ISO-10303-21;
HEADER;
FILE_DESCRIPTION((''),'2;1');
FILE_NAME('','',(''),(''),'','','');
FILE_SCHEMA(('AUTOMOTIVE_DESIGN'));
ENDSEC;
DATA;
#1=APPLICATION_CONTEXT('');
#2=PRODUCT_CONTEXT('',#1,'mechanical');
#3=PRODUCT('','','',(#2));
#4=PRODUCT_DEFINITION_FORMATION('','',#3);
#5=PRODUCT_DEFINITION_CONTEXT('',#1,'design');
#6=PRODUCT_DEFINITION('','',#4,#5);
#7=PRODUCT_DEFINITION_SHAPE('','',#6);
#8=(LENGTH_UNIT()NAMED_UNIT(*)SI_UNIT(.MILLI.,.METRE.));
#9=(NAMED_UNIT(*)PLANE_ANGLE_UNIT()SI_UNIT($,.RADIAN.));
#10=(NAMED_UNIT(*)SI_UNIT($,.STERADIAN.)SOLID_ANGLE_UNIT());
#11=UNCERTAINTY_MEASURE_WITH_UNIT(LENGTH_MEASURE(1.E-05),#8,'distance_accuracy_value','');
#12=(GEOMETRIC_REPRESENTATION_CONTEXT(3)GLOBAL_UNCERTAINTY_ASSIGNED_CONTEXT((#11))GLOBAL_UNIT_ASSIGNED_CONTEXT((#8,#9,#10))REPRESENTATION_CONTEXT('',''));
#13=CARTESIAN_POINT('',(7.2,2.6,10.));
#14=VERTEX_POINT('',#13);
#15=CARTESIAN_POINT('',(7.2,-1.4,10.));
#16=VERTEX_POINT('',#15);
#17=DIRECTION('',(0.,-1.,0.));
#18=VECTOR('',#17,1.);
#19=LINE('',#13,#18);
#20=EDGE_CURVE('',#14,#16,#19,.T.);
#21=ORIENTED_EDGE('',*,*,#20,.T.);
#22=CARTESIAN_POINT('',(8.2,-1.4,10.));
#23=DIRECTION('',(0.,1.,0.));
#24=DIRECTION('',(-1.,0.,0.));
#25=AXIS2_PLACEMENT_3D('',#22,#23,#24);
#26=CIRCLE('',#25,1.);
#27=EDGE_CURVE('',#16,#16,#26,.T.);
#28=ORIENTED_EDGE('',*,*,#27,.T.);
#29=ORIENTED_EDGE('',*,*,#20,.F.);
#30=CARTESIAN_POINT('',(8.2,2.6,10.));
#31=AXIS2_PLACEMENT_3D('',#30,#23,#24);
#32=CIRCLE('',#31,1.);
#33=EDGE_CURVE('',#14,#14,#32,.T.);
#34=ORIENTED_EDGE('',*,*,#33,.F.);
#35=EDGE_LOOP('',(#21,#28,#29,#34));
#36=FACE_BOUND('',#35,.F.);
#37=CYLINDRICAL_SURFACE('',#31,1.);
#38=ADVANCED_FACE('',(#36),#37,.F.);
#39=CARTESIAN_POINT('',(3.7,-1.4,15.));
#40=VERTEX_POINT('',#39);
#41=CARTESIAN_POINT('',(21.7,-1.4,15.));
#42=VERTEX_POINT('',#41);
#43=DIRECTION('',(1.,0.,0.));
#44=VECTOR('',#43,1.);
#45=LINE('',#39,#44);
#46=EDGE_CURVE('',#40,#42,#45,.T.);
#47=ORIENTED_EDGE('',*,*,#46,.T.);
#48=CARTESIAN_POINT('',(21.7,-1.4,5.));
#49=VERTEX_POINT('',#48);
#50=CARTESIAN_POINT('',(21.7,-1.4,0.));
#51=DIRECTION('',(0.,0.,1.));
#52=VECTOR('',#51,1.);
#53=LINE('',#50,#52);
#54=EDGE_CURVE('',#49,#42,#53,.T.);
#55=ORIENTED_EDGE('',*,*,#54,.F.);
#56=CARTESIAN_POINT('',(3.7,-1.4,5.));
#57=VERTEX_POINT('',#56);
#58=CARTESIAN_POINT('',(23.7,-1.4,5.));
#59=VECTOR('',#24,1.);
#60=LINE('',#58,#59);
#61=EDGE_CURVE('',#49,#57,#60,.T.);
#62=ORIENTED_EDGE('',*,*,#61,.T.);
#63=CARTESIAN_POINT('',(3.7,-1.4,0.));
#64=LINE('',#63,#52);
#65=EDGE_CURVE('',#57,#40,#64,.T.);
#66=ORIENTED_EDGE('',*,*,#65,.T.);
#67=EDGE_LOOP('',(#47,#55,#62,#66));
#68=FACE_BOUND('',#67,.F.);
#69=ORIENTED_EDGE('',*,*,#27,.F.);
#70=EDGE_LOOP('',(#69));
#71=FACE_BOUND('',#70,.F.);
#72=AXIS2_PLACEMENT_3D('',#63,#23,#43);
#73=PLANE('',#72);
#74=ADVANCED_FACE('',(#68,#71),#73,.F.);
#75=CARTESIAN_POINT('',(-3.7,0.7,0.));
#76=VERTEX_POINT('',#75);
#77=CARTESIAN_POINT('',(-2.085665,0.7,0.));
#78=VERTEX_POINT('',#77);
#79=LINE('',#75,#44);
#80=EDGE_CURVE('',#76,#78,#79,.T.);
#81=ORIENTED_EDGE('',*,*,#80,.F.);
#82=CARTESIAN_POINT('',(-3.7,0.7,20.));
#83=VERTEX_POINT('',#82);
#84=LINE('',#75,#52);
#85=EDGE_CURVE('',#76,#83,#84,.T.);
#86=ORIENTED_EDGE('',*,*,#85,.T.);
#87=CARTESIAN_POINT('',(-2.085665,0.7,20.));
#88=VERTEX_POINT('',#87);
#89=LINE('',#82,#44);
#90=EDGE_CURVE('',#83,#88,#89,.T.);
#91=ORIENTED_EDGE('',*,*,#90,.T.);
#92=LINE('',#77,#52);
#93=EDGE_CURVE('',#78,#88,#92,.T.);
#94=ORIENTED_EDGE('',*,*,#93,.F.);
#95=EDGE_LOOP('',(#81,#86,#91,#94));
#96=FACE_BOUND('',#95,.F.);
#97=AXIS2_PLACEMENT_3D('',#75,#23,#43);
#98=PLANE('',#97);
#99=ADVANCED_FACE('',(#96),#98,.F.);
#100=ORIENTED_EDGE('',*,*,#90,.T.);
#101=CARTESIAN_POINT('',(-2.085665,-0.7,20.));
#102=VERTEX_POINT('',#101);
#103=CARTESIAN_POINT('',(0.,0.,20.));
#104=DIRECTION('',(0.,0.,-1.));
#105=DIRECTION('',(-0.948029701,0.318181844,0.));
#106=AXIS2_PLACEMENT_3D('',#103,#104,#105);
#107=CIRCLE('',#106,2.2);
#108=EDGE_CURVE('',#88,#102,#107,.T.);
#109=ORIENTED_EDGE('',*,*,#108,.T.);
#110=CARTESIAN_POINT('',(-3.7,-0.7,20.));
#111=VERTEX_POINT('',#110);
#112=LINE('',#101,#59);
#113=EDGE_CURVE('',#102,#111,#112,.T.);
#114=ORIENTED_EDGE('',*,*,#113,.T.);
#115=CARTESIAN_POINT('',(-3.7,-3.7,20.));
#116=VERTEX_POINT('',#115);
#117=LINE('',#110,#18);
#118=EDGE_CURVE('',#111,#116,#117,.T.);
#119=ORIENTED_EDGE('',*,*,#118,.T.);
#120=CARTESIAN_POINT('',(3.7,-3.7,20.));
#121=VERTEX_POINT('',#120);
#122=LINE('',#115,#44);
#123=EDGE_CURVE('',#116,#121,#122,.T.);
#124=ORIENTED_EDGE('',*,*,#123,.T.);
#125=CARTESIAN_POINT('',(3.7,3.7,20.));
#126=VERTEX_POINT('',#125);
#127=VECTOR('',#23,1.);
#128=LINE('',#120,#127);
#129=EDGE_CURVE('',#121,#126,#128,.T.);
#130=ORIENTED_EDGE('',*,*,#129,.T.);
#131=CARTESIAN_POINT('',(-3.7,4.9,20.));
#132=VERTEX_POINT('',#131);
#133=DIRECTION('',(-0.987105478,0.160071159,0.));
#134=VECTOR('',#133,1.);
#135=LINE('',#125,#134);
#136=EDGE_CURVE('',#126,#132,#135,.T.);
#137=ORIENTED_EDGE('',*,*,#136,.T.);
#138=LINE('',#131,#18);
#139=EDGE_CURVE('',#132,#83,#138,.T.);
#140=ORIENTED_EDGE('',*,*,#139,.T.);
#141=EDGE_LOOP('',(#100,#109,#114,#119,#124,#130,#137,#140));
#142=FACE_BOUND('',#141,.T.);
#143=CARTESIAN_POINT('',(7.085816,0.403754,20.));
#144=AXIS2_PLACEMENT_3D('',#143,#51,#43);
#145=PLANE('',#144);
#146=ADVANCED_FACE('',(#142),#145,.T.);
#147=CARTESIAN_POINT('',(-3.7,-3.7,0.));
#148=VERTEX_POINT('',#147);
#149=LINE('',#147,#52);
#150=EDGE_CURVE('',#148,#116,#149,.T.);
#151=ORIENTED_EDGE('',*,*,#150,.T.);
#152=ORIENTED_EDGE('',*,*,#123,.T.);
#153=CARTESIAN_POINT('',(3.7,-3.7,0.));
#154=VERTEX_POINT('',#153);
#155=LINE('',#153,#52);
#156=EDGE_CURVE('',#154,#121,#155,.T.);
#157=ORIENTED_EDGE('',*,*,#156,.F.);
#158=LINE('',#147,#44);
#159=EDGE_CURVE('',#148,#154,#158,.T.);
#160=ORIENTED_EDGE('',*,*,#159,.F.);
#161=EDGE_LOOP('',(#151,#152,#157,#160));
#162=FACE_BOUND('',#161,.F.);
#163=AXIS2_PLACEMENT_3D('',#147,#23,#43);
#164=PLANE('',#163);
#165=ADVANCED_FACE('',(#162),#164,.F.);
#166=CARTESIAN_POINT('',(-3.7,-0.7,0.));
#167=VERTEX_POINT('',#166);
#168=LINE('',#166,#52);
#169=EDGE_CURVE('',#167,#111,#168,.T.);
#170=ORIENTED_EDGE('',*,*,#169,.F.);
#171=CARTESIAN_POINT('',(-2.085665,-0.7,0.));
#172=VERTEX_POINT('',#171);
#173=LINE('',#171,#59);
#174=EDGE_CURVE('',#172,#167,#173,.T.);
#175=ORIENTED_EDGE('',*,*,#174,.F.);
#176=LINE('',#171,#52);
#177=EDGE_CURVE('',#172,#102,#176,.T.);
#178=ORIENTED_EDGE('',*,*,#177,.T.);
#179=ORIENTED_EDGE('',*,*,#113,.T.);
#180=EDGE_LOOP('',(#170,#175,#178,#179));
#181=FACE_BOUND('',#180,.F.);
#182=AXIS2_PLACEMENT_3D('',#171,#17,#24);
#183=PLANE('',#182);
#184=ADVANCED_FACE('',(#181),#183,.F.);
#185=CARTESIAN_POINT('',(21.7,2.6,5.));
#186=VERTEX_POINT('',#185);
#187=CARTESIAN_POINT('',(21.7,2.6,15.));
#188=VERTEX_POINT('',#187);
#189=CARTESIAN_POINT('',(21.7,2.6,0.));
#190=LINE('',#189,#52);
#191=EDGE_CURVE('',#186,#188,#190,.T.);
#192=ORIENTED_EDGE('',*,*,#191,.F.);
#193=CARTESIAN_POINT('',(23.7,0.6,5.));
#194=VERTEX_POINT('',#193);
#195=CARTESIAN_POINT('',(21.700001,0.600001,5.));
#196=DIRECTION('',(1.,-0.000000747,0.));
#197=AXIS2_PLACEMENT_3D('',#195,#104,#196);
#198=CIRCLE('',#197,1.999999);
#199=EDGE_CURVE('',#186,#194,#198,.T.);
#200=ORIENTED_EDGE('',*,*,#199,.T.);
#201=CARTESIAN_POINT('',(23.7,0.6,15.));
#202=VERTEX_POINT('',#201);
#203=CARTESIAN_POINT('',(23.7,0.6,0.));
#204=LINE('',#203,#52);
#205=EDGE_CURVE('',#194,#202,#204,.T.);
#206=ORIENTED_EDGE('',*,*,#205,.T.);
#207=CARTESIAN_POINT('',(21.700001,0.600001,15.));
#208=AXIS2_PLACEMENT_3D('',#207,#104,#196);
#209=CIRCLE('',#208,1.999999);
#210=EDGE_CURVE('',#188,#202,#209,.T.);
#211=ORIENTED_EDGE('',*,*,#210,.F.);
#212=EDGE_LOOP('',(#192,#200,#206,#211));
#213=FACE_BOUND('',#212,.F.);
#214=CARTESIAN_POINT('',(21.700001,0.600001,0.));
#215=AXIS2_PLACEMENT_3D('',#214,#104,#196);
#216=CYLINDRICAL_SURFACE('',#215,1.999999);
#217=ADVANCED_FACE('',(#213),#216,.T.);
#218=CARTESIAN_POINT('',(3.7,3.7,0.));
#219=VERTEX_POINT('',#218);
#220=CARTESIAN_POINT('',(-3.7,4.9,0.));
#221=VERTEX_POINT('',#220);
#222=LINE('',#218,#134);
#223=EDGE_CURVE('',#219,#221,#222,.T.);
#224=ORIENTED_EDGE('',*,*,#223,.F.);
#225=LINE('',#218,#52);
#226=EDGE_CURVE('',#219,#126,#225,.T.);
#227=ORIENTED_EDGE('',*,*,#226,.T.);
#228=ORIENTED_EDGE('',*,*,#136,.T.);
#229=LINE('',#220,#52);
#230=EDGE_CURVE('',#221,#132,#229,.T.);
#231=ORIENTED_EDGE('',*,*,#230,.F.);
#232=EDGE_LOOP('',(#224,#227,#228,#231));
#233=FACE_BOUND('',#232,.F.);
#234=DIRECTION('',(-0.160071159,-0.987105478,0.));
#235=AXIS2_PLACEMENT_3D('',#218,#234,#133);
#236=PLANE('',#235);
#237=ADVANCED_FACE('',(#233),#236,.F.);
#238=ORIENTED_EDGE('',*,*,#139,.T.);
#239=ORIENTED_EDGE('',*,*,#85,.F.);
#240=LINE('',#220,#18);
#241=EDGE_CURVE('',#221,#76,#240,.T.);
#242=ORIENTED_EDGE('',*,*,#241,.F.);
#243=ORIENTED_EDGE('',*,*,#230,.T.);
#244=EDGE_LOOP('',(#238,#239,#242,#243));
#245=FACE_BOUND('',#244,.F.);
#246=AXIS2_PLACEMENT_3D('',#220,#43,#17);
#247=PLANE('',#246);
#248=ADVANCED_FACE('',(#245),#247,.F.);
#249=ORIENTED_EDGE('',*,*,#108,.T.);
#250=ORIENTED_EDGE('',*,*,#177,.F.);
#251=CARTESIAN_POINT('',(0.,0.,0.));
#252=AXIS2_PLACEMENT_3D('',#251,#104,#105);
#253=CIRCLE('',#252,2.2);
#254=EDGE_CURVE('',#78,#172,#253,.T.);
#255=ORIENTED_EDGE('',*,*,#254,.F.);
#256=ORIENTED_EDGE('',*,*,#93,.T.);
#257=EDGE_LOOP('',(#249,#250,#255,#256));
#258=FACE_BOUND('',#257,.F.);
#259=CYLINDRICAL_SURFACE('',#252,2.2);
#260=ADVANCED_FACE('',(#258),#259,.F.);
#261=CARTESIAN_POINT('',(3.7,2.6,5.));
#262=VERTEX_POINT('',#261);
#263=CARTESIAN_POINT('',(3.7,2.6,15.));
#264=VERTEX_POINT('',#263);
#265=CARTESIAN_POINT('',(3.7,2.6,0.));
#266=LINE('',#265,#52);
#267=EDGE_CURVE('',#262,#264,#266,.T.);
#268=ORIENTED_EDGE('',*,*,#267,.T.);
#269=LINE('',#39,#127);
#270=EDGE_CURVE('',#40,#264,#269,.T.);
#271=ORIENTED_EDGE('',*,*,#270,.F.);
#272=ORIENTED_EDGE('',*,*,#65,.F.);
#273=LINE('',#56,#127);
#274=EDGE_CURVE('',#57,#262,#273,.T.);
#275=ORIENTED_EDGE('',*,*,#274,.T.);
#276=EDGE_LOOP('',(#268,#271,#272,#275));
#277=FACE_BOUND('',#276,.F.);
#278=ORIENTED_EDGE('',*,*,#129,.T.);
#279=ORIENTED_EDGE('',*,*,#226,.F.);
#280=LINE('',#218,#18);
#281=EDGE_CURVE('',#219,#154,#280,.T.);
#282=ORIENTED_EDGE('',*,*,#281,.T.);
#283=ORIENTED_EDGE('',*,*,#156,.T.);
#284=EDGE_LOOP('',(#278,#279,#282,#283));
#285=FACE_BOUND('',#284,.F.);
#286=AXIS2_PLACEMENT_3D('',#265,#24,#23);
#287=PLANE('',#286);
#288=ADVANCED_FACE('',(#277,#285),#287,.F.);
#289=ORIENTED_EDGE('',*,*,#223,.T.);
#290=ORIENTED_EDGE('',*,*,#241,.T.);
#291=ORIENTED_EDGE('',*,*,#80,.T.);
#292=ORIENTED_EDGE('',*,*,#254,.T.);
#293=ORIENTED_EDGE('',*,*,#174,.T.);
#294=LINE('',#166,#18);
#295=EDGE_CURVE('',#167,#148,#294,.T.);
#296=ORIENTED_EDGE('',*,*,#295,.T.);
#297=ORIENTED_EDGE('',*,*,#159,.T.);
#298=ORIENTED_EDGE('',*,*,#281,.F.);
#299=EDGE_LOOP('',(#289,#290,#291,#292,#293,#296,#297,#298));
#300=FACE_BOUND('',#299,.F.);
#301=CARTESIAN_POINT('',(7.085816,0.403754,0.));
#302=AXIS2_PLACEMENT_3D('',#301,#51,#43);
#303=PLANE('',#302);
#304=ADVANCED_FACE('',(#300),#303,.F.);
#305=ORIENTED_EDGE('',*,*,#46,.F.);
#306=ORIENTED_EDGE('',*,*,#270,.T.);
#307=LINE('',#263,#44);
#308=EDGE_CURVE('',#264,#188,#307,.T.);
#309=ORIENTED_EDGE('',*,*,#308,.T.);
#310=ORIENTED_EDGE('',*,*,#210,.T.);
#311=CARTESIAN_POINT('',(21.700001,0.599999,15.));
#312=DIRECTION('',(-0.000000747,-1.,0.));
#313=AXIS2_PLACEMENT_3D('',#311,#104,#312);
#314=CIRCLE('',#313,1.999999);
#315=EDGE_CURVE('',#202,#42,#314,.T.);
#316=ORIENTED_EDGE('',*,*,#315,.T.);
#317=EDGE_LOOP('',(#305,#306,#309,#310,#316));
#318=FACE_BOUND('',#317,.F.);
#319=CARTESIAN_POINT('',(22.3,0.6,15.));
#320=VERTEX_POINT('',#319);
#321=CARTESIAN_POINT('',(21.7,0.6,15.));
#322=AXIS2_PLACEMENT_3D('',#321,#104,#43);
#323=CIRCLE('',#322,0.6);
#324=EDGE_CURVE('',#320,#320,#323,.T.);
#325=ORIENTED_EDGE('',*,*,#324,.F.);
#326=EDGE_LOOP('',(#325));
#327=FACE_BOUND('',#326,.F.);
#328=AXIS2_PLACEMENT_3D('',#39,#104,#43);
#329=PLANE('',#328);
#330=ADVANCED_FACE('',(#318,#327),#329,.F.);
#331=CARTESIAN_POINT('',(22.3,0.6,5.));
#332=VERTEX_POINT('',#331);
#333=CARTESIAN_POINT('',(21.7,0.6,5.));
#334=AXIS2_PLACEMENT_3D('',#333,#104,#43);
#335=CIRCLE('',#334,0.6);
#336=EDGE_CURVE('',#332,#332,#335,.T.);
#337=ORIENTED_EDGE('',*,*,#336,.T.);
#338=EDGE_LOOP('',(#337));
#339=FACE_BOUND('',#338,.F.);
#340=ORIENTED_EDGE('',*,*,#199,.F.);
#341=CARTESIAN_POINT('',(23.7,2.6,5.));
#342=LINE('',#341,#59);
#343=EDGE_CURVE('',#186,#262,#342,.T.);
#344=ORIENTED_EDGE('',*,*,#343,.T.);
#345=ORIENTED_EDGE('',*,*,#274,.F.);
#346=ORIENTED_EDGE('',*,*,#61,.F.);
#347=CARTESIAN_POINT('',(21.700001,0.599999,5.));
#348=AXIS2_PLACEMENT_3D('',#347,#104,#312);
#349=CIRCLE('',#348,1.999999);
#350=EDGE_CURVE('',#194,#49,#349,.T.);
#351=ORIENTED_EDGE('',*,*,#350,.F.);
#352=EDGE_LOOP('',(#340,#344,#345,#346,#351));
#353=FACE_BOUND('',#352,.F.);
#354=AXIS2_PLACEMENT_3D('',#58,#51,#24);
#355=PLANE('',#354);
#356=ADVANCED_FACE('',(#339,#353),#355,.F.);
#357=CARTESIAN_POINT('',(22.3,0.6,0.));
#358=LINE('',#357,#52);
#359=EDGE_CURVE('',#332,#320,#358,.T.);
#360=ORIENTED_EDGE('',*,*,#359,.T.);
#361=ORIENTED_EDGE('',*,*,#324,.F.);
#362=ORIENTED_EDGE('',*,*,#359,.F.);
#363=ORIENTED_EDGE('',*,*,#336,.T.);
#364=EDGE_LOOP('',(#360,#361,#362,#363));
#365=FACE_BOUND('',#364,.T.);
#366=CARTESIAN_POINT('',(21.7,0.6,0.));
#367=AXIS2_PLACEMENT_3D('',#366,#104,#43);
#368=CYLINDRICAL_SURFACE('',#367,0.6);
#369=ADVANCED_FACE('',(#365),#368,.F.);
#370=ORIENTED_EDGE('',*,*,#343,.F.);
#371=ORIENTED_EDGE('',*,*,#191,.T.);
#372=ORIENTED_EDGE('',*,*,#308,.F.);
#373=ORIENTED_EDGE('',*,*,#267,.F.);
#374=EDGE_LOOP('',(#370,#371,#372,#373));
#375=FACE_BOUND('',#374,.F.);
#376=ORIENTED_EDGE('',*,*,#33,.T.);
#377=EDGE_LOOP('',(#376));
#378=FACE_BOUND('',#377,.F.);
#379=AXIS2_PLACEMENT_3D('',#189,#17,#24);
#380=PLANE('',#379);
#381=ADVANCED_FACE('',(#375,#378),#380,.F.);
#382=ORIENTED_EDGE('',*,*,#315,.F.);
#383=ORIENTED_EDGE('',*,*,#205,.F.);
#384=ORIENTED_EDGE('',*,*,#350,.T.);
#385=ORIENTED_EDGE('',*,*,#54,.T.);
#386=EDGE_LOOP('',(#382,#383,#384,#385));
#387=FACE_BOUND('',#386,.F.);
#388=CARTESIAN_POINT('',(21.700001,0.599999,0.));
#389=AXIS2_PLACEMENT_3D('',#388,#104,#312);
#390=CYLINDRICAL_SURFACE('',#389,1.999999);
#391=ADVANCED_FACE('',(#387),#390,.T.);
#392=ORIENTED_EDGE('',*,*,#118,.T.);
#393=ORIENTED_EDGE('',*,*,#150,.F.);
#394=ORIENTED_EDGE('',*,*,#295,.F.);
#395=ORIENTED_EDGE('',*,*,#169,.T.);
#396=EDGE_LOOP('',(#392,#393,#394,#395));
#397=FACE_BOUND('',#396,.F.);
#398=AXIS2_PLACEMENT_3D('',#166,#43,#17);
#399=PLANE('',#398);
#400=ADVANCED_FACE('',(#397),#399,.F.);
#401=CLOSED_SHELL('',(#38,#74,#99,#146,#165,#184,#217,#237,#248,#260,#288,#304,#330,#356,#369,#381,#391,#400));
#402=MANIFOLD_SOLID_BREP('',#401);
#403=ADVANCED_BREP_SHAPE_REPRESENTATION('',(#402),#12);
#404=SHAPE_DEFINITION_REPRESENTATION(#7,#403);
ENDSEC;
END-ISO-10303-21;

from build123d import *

# Parameters (mm, degrees)
F0_R     = 0.6
F1_DEPTH = 20
F2_W     = 18
F2_H     = 5
F2_W_2   = 2
F3_DEPTH = 4
F4_R     = 1
F5_DEPTH = 4


with BuildPart() as f1:
    # F0 (on Top) → F1 (new body)
    with BuildSketch(Plane.XY):
        with BuildLine():
            ThreePointArc((-2.085665, 0.7), (2.2, 0), (-2.085665, -0.7))
            Line((-2.085665, -0.7), (-3.7, -0.7))
            Line((-3.7, -0.7), (-3.7, -3.7))
            Line((-3.7, -3.7), (3.7, -3.7))
            Line((3.7, -3.7), (3.7, -1.4))
            Line((3.7, -1.4), (21.7, -1.4))
            ThreePointArc((21.7, -1.4), (23.114214, -0.814214), (23.7, 0.6))
            ThreePointArc((23.7, 0.6), (23.114214, 2.014214), (21.7, 2.6))
            Line((21.7, 2.6), (3.7, 2.6))
            Line((3.7, 2.6), (3.7, 3.7))
            Line((3.7, 3.7), (-3.7, 4.9))
            Line((-3.7, 4.9), (-3.7, 0.7))
            Line((-3.7, 0.7), (-2.085665, 0.7))
        make_face()
        with Locations((21.7, 0.6)):
            Circle(F0_R, mode=Mode.SUBTRACT)
    extrude(amount=F1_DEPTH)

    # F2 (on face) → F3 (cut)
    with BuildSketch(Plane.XZ.offset(1.4)):
        with Locations((12.7, 2.5)):
            Rectangle(F2_W, F2_H)
        with Locations((22.7, 2.5)):
            Rectangle(F2_W_2, F2_H)
        with Locations((22.7, 17.5)):
            Rectangle(F2_W_2, F2_H)
        with Locations((12.7, 17.5)):
            Rectangle(F2_W, F2_H)
    extrude(amount=-F3_DEPTH, mode=Mode.SUBTRACT)

    # F4 (on face) → F5 (cut)
    with BuildSketch(Plane(origin=(0, 2.6, 0), x_dir=(-1, 0, 0), z_dir=(0, 1, 0))):
        with Locations((-8.2, 10)):
            Circle(F4_R)
    extrude(amount=-F5_DEPTH, mode=Mode.SUBTRACT)


solid = f1.part
